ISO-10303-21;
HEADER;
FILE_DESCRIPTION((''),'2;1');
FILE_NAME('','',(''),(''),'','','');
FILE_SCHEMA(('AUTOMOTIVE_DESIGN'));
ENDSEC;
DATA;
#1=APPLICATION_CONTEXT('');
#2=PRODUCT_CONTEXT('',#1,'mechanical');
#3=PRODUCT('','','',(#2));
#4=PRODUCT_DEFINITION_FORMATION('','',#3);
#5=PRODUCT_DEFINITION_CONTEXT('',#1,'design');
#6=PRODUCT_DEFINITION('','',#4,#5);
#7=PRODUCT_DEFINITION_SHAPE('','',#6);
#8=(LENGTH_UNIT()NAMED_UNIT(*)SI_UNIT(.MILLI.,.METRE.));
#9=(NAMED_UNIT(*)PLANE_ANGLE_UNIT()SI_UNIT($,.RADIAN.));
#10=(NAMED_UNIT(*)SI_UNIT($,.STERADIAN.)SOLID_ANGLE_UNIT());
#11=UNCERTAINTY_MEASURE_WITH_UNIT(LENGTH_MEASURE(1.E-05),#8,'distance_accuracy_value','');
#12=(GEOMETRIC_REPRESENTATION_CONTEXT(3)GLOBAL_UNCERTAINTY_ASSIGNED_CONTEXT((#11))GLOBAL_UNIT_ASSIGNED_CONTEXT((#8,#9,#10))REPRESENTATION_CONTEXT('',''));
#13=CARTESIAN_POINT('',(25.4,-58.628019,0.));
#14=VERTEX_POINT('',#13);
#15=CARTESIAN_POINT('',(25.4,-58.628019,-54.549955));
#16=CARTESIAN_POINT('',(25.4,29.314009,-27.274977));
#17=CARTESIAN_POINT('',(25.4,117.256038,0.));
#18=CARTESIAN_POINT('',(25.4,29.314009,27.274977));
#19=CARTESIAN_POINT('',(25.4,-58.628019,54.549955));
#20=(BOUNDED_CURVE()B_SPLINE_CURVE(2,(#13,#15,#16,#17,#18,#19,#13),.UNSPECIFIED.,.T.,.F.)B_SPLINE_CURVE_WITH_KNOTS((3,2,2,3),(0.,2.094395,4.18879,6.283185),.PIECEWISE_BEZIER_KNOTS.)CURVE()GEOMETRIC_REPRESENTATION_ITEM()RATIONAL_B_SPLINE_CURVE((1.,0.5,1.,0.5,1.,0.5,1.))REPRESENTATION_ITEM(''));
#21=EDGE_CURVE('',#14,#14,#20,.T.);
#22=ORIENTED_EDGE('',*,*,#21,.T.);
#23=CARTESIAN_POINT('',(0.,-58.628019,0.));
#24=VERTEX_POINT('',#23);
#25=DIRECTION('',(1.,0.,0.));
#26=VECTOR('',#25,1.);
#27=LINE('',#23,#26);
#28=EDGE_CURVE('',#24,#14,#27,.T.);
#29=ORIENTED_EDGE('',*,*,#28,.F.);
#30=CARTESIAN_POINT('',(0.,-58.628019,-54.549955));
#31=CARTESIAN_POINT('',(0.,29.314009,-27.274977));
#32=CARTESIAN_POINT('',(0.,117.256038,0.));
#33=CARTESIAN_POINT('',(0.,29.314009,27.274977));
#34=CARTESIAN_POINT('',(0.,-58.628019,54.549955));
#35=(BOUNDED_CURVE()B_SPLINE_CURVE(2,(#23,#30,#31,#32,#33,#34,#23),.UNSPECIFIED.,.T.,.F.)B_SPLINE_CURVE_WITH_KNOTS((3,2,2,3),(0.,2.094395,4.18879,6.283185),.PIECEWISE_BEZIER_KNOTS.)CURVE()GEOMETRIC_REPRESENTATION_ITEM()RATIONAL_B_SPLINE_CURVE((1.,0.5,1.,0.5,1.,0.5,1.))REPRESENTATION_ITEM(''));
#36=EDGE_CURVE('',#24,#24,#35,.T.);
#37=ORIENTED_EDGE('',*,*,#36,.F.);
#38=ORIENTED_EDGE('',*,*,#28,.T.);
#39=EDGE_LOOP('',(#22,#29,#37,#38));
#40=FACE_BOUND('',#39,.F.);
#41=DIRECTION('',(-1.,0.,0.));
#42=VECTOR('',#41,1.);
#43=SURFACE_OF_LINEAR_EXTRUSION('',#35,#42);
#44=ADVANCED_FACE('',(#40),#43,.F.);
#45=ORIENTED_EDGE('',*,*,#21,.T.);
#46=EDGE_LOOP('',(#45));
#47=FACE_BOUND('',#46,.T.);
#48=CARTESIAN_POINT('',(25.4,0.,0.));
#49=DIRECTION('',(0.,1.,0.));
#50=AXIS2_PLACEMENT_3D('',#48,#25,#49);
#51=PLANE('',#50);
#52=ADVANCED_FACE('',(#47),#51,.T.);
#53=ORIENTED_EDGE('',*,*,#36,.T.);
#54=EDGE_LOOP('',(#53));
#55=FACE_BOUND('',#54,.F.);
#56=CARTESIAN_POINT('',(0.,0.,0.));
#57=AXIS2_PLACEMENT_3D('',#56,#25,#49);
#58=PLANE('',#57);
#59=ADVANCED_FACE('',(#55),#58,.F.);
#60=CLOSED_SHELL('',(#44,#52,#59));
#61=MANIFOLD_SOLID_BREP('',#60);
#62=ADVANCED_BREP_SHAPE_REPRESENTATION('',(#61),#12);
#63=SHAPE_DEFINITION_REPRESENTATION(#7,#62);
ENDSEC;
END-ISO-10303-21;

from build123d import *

# Parameters (mm, degrees)
F1_DEPTH = 25.4


with BuildPart() as f1:
    # F0 (on Right) → F1 (new body)
    with BuildSketch(Plane.YZ):
        with BuildLine():
            add(Edge.make_bspline(
                [(-58.628019, 0), (-58.628019, -54.549955), (29.314009, -27.274977), (117.256038, 0), (29.314009, 27.274977), (-58.628019, 54.549955), (-58.628019, 0)],
                knots=[0, 0, 0, 2.094395, 2.094395, 4.18879, 4.18879, 6.283185, 6.283185, 6.283185], degree=2, weights=[1, 0.5, 1, 0.5, 1, 0.5, 1]))
        make_face()
    extrude(amount=F1_DEPTH)


solid = f1.part
